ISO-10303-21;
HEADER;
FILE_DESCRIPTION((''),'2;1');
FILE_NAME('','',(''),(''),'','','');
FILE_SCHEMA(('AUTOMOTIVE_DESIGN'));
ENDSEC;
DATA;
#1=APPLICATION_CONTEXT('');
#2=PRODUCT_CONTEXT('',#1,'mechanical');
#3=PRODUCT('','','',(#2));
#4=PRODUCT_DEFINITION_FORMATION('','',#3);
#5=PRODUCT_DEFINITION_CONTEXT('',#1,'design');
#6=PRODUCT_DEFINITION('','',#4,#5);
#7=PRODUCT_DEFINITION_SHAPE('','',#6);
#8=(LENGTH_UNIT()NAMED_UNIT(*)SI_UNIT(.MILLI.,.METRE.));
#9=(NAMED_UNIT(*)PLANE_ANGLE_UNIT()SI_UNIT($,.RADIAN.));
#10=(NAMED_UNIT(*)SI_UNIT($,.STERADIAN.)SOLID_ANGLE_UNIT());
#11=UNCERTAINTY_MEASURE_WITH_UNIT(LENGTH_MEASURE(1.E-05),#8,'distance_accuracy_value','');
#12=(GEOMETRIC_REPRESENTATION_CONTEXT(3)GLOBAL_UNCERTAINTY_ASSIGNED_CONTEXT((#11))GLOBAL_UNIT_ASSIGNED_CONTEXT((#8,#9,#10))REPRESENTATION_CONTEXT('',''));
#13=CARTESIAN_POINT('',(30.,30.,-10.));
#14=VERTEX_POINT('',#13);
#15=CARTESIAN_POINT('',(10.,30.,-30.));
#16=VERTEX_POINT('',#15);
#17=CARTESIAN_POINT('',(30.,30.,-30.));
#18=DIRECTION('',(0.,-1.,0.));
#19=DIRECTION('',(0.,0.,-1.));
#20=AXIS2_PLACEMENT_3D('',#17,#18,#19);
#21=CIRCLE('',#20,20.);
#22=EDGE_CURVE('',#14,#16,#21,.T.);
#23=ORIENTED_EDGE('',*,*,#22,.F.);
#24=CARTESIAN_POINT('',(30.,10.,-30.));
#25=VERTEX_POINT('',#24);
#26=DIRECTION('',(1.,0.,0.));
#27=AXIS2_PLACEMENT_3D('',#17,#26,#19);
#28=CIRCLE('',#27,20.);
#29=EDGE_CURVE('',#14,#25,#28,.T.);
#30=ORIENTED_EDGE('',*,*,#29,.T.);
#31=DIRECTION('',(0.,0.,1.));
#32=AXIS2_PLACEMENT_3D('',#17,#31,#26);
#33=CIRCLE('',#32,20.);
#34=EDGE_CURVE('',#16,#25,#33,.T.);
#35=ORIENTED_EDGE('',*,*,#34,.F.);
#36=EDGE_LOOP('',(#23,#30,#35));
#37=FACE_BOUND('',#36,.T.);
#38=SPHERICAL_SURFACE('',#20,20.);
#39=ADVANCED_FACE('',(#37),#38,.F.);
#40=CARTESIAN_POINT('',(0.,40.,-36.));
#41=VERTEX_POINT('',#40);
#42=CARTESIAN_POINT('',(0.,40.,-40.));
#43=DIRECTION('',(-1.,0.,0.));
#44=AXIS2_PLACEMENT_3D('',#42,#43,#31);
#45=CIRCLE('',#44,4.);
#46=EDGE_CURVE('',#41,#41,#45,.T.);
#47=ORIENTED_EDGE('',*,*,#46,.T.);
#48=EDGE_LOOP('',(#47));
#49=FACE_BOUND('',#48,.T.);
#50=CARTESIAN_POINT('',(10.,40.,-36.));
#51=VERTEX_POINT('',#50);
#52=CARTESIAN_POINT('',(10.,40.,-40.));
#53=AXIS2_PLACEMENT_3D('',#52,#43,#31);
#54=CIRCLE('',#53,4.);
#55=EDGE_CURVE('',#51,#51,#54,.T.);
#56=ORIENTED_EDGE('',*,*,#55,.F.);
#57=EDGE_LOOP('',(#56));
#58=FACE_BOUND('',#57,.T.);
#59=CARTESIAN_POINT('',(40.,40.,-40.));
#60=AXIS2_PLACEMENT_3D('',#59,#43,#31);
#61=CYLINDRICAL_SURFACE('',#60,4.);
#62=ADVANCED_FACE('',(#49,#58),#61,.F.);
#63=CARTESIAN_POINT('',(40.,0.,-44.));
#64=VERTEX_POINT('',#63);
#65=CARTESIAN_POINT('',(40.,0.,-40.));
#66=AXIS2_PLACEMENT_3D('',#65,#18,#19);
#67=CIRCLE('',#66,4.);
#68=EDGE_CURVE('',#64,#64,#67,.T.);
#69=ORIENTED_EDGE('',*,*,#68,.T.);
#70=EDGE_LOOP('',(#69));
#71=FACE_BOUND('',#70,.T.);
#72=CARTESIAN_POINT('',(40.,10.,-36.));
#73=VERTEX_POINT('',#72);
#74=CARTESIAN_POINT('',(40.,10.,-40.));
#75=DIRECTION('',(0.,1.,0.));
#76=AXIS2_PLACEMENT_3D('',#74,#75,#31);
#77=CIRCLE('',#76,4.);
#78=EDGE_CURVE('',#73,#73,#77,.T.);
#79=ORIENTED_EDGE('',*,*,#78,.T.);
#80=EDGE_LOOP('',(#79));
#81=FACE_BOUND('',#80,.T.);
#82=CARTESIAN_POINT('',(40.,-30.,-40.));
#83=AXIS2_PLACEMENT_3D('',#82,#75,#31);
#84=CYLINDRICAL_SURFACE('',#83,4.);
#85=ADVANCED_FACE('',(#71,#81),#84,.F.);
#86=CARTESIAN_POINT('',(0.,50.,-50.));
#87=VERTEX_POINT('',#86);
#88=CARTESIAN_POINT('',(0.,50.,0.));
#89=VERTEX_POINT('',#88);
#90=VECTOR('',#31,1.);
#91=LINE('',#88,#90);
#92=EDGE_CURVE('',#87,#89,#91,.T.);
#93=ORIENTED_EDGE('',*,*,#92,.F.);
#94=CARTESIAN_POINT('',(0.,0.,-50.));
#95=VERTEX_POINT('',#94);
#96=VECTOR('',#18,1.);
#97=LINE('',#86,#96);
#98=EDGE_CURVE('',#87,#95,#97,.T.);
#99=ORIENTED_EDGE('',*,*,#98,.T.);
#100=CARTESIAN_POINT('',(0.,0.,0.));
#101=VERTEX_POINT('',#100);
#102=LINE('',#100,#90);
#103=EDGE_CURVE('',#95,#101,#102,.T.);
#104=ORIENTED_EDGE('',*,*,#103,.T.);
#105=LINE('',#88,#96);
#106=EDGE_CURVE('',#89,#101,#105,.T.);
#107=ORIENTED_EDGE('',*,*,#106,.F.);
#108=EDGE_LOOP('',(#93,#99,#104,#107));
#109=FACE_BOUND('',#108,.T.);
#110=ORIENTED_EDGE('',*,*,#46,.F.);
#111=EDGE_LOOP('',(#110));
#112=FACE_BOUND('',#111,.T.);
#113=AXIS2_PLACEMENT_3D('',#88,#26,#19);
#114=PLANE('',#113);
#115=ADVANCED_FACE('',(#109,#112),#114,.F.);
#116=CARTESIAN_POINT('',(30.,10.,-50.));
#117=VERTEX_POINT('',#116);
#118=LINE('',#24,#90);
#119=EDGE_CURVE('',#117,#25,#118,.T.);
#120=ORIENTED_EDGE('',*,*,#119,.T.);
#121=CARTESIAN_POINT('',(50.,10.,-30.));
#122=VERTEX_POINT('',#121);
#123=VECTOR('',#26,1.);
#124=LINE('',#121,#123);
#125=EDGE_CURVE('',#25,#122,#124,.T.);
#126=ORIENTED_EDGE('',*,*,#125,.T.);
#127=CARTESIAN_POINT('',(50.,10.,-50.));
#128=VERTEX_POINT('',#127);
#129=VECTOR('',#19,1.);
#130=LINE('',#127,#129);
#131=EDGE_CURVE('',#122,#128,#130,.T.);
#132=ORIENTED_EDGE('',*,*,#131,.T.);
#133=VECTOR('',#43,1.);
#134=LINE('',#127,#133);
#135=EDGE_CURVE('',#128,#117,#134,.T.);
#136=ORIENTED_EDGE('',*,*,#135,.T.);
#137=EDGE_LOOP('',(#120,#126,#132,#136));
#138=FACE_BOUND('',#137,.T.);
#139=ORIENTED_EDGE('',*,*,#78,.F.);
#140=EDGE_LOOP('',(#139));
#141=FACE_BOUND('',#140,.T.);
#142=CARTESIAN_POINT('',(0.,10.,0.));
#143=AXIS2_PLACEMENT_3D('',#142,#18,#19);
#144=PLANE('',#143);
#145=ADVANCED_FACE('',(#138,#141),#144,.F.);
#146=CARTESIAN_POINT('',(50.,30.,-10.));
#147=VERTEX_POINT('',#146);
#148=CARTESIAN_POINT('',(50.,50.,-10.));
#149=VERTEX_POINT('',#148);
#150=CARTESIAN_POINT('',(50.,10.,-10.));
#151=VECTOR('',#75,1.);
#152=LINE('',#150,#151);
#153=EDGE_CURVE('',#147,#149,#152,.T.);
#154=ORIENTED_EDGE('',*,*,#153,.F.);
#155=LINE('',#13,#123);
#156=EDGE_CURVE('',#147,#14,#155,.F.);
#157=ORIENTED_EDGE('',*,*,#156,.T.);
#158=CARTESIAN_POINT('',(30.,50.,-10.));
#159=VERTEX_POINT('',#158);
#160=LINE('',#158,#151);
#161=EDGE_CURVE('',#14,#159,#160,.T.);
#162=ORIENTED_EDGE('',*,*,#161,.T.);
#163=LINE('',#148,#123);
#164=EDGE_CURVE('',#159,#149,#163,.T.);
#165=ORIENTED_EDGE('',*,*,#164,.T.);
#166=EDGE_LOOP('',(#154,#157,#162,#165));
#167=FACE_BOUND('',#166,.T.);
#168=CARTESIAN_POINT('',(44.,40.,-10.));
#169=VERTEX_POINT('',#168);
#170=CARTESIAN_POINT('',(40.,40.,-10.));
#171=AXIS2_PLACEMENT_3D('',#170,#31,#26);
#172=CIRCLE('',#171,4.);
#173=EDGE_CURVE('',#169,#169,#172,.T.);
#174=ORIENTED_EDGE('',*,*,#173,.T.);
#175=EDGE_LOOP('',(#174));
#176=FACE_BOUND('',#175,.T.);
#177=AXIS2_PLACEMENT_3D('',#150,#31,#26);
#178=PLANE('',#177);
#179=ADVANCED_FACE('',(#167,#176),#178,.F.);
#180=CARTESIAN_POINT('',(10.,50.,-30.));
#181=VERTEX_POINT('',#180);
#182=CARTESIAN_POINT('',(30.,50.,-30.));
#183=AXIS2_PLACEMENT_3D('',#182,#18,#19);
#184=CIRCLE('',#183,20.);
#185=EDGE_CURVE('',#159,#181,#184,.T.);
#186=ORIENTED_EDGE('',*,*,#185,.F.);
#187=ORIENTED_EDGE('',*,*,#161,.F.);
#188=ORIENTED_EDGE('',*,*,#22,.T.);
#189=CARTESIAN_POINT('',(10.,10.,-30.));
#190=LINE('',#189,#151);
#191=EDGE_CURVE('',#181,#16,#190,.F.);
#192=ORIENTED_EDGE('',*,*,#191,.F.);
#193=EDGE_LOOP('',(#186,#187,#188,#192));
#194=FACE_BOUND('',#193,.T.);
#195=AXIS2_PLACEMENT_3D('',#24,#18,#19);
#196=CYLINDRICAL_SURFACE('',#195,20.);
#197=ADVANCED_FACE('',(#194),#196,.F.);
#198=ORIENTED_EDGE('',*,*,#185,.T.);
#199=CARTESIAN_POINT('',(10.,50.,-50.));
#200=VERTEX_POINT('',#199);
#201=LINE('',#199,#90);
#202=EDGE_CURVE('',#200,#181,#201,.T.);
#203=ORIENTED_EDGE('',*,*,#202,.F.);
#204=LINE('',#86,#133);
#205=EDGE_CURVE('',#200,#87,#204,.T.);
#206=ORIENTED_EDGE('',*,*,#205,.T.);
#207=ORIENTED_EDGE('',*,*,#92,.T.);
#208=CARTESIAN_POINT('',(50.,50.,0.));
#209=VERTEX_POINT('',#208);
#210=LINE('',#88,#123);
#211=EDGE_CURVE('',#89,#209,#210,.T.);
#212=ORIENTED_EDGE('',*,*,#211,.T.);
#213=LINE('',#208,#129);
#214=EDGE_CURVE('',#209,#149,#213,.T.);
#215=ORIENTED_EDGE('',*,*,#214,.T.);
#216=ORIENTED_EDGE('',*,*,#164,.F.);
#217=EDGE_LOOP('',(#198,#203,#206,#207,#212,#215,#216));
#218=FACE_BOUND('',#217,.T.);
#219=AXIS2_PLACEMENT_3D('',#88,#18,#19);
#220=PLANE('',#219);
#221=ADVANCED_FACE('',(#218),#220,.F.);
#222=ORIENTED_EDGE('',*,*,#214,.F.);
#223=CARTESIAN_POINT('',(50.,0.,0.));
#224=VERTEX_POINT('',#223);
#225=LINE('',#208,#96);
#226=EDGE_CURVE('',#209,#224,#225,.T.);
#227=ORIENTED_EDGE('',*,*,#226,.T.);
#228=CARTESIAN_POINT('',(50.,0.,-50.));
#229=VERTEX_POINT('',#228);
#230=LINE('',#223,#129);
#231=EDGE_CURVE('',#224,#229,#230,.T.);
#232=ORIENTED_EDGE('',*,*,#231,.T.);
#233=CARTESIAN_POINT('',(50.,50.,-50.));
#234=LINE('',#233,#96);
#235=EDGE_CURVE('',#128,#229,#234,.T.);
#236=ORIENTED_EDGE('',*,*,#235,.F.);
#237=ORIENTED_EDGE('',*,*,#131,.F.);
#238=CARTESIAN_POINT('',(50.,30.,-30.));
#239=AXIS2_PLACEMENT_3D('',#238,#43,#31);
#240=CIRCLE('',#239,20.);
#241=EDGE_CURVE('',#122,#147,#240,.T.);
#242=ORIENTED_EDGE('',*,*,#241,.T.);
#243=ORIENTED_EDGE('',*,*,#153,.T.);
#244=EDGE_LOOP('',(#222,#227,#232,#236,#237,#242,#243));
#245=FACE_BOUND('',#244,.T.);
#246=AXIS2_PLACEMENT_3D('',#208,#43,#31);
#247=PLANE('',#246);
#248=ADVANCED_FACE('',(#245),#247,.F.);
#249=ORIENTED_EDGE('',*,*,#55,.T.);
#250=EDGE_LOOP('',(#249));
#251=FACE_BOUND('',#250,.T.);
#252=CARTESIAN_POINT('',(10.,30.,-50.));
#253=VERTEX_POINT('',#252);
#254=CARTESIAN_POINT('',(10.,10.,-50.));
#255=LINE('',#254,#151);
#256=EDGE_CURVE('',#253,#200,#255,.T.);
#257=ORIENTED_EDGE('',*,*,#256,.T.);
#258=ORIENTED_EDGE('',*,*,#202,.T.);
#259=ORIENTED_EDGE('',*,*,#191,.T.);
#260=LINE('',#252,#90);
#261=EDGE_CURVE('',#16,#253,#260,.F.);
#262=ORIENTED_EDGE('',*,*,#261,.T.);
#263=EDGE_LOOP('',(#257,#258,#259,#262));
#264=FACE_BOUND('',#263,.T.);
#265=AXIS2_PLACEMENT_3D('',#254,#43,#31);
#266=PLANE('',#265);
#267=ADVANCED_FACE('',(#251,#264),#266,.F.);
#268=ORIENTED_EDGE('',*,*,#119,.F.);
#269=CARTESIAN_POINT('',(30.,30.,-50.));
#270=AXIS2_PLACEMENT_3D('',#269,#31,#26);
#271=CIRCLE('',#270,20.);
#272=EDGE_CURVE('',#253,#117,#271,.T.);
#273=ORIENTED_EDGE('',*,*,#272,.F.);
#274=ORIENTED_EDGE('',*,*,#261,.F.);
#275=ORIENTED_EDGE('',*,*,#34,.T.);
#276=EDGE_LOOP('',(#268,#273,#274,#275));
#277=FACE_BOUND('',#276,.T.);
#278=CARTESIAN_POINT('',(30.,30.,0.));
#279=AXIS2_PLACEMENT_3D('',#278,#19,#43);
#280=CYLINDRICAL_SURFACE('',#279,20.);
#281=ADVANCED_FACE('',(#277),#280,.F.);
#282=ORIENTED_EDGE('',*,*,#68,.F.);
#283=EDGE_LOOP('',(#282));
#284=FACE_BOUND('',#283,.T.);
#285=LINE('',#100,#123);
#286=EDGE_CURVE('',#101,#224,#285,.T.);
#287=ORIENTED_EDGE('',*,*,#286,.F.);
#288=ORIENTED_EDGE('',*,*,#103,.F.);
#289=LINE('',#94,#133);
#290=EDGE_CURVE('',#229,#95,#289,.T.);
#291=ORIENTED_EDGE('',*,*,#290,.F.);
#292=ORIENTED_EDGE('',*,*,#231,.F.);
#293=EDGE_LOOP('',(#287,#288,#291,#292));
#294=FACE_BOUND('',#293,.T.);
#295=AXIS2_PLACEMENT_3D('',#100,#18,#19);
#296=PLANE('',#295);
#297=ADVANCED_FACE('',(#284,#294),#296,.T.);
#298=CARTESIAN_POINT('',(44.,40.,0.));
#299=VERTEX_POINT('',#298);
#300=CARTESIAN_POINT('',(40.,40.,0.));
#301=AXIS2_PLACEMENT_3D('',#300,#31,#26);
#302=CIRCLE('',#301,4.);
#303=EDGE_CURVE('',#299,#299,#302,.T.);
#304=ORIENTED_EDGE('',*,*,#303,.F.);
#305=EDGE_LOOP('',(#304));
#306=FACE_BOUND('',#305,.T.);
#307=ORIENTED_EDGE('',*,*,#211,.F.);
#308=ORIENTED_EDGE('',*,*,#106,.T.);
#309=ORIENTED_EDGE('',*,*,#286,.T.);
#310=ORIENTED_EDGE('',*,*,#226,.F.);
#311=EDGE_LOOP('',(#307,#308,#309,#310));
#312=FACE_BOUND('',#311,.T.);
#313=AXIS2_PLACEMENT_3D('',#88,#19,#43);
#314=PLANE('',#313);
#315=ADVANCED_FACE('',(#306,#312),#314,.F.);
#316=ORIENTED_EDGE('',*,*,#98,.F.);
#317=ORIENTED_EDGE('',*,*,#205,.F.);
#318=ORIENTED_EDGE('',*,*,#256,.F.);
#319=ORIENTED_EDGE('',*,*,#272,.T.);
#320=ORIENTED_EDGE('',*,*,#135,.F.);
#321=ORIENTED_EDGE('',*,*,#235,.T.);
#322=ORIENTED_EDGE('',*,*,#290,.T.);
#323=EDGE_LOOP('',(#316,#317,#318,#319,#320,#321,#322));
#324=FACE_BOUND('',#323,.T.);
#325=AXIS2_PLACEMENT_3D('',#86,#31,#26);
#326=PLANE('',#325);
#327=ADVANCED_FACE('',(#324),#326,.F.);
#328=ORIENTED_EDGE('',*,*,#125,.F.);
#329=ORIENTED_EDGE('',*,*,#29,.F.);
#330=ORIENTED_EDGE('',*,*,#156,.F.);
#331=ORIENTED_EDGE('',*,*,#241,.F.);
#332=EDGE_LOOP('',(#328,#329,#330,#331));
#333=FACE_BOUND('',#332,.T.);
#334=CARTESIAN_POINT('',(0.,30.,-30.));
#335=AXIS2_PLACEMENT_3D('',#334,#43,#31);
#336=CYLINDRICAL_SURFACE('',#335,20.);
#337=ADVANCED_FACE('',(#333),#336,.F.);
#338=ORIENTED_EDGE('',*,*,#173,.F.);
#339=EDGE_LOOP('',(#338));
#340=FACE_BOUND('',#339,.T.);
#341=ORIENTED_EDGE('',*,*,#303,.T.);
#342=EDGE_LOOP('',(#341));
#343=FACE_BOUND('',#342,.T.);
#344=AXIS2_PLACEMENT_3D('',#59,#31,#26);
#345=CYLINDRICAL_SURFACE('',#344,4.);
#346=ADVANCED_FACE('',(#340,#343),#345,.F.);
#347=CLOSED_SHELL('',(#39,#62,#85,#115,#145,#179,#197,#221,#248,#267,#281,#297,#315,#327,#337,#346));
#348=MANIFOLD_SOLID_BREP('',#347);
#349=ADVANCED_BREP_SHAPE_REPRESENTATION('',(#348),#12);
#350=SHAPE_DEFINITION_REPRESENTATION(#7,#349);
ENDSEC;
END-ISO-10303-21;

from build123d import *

# Parameters (mm, degrees)
SKETCH1_W           = 50
SKETCH1_H           = 50
BOSS_EXTRUDE1_DEPTH = 50
SKETCH3_W           = 40
SKETCH3_H           = 40
CUT_EXTRUDE1_DEPTH  = 40
SKETCH4_R           = 4
CUT_EXTRUDE2_DEPTH  = 40
SKETCH5_R           = 4
CUT_EXTRUDE3_DEPTH  = 40
SKETCH6_R           = 4
CUT_EXTRUDE4_DEPTH  = 40
FILLET1_R           = 20
FILLET2_R           = 20


with BuildPart() as part:
    # Sketch1 → Boss-Extrude1 (new body)
    with BuildSketch(Plane(origin=(0, 0, 0), x_dir=(1, 0, 0), z_dir=(0, 1, 0))):
        with Locations((25, 25)):
            Rectangle(SKETCH1_W, SKETCH1_H)
    extrude(amount=BOSS_EXTRUDE1_DEPTH)

    # Sketch3 → Cut-Extrude1 (cut)
    with BuildSketch(Plane(origin=(0, 50, 0), x_dir=(1, 0, 0), z_dir=(0, 1, 0))):
        with Locations((30, 30)):
            Rectangle(SKETCH3_W, SKETCH3_H)
    extrude(amount=-CUT_EXTRUDE1_DEPTH, mode=Mode.SUBTRACT)

    # Sketch4 → Cut-Extrude2 (cut)
    with BuildSketch(Plane(origin=(0, 10, 0), x_dir=(1, 0, 0), z_dir=(0, 1, 0))):
        with Locations(Location((40, 40, 0), (0, 0, 270))):
            Circle(SKETCH4_R)
    extrude(amount=-CUT_EXTRUDE2_DEPTH, mode=Mode.SUBTRACT)

    # Sketch5 → Cut-Extrude3 (cut)
    with BuildSketch(Plane.XY):
        with Locations((40, 40)):
            Circle(SKETCH5_R)
    extrude(amount=-CUT_EXTRUDE3_DEPTH, mode=Mode.SUBTRACT)

    # Sketch6 → Cut-Extrude4 (cut)
    with BuildSketch(Plane.ZY):
        with Locations((-40, 40)):
            Circle(SKETCH6_R)
    extrude(amount=-CUT_EXTRUDE4_DEPTH, mode=Mode.SUBTRACT)

    # Fillet1
    fillet1_edges = [part.edges().sort_by_distance(p)[0] for p in [
        (10, 30, -10),
    ]]
    fillet(fillet1_edges, radius=FILLET1_R)

    # Fillet2
    fillet2_edges = [part.edges().sort_by_distance(p)[0] for p in [
        (10, 10, -40),
        (40, 10, -10),
        (15.857864376, 10, -15.857864376),
    ]]
    fillet(fillet2_edges, radius=FILLET2_R)


solid = part.part
